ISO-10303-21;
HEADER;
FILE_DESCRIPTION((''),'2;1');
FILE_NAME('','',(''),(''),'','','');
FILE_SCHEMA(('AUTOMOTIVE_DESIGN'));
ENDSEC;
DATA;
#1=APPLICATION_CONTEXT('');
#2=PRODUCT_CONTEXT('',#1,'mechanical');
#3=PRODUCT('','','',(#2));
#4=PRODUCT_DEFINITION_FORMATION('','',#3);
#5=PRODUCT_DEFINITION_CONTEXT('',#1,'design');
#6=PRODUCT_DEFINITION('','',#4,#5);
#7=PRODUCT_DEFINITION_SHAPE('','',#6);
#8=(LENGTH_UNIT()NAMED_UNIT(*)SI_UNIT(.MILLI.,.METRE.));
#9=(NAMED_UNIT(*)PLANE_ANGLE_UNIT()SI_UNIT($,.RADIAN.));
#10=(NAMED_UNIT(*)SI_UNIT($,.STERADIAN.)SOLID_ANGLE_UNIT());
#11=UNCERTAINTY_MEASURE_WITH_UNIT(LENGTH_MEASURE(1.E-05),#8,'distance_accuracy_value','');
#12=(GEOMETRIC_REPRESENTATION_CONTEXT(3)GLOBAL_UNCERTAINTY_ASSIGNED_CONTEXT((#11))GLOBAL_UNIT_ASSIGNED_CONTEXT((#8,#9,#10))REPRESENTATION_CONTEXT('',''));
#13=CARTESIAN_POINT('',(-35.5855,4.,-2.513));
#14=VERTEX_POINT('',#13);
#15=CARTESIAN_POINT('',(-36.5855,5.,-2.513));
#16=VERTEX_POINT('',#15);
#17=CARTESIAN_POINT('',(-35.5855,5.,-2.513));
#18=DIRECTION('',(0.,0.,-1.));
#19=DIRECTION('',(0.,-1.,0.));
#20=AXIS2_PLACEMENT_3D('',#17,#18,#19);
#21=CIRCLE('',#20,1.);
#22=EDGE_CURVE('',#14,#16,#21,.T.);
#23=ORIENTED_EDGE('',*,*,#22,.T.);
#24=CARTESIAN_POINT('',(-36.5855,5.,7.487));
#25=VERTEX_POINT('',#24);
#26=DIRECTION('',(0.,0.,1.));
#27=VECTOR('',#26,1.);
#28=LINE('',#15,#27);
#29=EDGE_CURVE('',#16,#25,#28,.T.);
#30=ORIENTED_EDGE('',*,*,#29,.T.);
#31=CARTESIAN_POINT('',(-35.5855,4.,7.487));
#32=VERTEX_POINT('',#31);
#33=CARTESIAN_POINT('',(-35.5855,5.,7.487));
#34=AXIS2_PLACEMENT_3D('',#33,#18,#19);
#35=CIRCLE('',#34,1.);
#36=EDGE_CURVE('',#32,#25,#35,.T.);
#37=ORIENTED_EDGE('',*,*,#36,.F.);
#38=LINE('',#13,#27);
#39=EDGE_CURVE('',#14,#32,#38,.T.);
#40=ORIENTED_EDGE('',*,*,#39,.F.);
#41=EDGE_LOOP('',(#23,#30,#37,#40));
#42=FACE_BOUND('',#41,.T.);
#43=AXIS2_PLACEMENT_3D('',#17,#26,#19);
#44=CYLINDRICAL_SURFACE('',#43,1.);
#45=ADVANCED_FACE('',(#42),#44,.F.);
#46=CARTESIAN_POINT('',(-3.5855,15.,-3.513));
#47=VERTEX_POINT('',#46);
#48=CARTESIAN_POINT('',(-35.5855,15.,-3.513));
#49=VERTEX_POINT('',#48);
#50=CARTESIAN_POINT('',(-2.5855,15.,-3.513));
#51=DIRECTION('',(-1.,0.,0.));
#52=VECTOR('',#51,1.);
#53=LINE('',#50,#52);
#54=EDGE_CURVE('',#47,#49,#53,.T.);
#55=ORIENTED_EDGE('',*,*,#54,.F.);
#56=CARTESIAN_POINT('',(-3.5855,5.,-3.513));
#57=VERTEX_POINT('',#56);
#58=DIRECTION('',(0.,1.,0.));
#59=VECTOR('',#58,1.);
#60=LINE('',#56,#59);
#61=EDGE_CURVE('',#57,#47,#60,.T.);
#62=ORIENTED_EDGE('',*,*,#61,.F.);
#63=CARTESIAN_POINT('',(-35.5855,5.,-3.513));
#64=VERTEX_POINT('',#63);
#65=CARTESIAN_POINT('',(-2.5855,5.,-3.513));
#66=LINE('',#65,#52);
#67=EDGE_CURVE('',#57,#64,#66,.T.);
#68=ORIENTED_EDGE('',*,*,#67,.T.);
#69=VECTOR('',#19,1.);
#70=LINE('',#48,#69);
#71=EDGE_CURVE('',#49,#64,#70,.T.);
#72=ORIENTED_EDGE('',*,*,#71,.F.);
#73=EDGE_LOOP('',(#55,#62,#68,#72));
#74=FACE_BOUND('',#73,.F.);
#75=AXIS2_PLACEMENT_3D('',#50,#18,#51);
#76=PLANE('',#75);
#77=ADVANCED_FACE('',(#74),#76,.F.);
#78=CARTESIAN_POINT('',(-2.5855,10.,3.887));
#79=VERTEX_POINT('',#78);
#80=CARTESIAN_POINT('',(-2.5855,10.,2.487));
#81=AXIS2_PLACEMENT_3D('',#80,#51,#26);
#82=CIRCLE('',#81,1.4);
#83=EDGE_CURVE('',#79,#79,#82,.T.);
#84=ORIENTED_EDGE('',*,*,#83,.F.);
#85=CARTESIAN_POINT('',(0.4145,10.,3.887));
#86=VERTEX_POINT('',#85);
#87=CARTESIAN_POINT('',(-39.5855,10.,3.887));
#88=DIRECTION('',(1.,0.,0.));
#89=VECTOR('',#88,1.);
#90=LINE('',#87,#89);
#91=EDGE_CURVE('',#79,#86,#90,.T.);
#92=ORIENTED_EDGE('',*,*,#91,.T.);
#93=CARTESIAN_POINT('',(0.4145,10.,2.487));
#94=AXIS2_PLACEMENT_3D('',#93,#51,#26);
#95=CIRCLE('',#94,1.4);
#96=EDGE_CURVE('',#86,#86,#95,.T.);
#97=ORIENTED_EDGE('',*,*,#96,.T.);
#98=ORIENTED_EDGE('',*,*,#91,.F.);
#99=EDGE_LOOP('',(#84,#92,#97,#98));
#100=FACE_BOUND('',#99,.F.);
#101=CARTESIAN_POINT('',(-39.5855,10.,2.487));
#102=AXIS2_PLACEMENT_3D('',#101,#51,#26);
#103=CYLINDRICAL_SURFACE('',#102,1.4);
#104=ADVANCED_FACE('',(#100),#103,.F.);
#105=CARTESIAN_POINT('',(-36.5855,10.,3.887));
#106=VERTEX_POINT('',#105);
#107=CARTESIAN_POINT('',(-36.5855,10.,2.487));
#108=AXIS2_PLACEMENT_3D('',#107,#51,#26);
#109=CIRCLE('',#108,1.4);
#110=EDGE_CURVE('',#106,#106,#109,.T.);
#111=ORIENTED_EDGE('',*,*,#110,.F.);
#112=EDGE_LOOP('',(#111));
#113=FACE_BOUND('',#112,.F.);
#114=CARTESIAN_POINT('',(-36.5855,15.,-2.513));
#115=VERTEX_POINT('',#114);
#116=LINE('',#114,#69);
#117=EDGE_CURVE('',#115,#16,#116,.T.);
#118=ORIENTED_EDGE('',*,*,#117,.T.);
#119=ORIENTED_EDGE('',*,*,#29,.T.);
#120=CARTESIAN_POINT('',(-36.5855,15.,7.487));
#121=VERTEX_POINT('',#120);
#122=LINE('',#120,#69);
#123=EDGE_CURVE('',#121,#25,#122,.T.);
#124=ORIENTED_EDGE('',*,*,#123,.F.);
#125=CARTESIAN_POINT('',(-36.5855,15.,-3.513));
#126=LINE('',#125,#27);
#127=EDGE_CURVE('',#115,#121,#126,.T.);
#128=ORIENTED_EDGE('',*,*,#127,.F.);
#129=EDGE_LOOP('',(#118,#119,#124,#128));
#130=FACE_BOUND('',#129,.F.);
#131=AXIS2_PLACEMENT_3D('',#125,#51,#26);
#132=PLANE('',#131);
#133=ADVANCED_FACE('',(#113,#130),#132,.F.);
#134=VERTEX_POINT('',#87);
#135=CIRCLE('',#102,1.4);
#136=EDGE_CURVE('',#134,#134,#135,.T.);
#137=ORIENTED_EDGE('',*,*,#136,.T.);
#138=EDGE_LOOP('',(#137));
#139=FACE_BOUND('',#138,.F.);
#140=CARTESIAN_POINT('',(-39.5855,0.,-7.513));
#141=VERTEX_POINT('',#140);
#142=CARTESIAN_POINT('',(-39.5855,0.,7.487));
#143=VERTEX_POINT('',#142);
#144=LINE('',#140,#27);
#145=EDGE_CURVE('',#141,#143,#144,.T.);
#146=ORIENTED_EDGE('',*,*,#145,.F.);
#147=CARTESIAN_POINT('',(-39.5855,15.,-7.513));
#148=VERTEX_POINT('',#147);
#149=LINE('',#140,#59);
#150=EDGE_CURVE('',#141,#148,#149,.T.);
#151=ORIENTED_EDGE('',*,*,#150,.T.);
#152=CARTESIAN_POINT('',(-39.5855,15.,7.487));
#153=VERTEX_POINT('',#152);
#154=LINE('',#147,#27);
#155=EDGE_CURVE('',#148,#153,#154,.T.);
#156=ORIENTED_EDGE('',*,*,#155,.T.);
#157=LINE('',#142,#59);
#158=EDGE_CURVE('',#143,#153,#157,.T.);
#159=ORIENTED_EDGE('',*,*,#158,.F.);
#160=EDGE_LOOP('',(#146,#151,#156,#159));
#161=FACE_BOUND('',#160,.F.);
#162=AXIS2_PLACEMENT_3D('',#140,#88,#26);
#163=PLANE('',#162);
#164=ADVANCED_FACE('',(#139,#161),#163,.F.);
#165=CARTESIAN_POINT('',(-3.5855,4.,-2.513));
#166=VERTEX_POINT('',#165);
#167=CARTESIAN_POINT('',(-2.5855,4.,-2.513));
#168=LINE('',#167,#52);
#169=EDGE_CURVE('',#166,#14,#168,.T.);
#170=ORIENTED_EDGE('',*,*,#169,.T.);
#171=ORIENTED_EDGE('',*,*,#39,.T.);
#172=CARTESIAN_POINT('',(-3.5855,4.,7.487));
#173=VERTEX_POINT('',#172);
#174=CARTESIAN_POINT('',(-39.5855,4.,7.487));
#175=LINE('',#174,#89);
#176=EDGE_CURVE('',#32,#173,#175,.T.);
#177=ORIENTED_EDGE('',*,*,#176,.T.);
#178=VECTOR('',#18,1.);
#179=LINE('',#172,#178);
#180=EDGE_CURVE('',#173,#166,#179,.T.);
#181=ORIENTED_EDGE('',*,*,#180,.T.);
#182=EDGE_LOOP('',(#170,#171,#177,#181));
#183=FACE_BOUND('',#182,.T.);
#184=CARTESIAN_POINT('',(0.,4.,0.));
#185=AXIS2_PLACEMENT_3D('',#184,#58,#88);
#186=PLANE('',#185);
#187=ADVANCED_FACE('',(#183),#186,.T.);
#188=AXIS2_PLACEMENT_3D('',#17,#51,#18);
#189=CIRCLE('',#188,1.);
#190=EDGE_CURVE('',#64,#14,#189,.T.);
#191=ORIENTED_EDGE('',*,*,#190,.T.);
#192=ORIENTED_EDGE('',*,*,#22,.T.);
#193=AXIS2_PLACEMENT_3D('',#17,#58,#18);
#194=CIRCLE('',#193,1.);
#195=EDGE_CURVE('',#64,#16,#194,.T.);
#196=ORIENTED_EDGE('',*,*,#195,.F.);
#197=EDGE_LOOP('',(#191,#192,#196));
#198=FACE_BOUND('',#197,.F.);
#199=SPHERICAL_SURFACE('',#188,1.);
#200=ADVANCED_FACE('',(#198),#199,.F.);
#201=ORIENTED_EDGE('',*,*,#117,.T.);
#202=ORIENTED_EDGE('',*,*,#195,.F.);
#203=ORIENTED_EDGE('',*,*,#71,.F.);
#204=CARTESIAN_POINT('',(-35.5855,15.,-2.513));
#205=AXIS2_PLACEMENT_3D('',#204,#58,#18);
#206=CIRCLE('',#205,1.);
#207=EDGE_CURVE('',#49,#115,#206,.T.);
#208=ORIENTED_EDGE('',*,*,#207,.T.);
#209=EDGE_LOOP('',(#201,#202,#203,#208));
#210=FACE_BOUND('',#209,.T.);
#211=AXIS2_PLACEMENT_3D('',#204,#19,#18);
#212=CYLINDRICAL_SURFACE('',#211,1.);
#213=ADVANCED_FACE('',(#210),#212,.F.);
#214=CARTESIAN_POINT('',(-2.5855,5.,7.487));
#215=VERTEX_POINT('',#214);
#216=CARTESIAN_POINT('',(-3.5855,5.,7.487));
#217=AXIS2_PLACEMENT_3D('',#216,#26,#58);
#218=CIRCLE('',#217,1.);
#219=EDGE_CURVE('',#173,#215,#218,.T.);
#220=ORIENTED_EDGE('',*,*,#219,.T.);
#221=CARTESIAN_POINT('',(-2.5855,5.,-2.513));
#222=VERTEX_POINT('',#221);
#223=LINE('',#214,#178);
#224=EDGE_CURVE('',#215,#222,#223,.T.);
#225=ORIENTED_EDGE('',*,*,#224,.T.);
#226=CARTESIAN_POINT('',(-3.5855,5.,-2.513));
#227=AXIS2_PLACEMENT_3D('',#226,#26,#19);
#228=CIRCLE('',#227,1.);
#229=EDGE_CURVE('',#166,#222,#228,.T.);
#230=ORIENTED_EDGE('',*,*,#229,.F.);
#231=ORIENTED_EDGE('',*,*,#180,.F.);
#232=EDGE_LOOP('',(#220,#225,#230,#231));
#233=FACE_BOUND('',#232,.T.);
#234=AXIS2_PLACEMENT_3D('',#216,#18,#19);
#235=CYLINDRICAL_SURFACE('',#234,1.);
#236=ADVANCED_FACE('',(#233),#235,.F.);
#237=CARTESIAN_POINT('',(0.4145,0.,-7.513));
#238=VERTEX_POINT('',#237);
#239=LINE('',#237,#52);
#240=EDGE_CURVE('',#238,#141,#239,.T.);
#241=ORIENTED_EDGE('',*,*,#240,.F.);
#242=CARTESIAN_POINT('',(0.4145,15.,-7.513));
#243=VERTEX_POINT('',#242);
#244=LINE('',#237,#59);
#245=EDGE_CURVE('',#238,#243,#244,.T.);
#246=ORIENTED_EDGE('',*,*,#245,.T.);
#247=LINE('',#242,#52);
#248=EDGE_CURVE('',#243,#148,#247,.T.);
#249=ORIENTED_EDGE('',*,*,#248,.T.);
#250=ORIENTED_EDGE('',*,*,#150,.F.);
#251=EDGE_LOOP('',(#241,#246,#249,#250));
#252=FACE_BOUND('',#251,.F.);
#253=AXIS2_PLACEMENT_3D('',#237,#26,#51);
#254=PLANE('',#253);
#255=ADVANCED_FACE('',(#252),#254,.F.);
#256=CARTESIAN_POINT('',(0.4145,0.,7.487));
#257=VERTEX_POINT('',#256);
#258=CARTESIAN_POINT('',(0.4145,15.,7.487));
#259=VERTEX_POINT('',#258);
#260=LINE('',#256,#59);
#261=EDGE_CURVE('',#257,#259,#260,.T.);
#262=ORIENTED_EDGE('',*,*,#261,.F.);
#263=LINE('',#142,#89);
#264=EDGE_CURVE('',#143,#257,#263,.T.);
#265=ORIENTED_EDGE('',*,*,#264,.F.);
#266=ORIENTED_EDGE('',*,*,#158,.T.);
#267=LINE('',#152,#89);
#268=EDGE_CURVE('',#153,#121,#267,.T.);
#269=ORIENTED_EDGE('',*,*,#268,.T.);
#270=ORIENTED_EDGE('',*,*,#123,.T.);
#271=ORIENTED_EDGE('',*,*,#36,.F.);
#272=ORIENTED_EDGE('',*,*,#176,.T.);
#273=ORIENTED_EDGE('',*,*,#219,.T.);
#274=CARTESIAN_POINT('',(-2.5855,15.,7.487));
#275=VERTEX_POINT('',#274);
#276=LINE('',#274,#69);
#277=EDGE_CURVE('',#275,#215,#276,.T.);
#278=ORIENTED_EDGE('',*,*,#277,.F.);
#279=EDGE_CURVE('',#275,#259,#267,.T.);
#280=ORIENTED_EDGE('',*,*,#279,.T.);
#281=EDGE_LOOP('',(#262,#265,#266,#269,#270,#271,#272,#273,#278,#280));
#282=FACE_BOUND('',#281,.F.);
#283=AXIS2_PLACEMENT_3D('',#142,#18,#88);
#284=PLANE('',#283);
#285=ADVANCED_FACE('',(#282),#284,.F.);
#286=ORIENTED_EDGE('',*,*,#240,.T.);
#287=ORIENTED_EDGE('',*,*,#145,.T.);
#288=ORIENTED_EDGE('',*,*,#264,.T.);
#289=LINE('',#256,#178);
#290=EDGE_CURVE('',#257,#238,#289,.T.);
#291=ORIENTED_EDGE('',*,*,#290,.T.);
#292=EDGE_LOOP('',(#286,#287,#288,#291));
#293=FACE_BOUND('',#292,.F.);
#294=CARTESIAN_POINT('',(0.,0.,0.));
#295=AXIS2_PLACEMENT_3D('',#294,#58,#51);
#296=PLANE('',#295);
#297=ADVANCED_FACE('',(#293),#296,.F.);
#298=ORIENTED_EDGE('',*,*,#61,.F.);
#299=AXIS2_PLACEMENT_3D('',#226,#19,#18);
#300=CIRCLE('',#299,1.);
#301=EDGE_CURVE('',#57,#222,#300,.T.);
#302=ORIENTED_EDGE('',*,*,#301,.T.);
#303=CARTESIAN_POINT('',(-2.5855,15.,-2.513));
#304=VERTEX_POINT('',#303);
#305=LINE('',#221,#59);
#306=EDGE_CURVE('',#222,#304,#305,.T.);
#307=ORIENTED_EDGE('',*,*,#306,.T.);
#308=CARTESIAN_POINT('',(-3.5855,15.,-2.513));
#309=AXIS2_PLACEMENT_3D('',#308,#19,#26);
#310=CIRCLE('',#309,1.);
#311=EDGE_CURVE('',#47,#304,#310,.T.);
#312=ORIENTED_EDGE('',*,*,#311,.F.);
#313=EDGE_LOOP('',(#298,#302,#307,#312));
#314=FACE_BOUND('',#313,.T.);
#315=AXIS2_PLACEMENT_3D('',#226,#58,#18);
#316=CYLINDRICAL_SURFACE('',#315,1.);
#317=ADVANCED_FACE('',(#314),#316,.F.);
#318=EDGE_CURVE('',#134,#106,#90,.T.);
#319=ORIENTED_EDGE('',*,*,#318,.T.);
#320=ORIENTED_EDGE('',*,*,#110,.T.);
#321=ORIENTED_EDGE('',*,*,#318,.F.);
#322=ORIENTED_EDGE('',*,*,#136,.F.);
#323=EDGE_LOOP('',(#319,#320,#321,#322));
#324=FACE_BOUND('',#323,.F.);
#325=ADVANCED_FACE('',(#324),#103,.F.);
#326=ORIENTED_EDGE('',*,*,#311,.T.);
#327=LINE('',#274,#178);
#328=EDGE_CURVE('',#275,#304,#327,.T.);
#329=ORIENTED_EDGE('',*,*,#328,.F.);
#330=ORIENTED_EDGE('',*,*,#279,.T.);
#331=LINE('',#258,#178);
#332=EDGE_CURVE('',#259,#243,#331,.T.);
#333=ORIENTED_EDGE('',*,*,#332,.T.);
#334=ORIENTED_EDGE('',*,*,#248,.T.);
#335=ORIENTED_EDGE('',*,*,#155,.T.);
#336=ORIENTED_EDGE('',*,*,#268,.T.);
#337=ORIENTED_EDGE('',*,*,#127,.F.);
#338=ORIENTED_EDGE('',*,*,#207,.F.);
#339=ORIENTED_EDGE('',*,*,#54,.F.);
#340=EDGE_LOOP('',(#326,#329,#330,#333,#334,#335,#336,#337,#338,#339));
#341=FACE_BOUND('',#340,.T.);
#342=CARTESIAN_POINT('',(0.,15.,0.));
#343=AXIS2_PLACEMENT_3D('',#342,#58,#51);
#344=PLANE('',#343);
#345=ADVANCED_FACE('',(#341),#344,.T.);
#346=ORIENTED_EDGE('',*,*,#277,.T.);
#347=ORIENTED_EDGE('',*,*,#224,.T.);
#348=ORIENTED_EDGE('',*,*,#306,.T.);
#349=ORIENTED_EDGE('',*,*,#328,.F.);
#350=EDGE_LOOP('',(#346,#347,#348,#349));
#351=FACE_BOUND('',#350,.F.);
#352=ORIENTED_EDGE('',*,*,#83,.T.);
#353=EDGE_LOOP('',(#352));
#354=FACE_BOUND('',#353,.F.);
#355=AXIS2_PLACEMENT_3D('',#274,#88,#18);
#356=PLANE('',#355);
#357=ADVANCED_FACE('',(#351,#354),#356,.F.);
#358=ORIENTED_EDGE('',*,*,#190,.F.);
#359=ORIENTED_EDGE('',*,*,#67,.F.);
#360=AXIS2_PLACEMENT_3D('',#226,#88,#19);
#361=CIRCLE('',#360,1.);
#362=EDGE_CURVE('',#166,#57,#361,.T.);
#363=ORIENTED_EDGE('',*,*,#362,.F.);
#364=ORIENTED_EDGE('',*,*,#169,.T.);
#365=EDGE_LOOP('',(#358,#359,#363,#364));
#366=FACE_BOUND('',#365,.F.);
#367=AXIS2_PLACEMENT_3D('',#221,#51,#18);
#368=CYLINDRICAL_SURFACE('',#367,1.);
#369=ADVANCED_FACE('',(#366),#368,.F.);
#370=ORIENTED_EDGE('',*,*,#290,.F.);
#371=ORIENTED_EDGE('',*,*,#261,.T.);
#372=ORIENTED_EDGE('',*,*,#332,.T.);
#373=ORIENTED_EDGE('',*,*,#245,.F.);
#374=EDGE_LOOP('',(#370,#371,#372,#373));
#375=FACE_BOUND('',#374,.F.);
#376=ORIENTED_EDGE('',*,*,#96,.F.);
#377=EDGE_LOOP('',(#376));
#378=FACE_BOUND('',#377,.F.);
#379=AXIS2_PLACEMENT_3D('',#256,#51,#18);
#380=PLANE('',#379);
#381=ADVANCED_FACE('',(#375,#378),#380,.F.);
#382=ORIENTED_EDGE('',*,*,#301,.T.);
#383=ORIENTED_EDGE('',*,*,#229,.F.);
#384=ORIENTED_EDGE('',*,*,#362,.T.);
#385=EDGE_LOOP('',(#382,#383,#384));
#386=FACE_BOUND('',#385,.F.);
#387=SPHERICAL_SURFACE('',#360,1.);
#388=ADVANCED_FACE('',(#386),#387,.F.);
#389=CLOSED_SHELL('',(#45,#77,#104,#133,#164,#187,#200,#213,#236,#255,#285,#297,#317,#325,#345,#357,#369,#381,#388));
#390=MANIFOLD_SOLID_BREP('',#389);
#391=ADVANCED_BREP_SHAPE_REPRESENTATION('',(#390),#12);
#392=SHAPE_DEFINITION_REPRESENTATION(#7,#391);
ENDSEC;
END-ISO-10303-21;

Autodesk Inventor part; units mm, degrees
ref_plane "YZ Plane" through (0, 0, 0) normal (1, 0, 0) x (0, 1, 0)
ref_plane "XZ Plane" through (0, 0, 0) normal (0, 1, 0) x (-1, 0, 0)
ref_plane "XY Plane" through (0, 0, 0) normal (0, 0, 1) x (1, 0, 0)
sketch "Sketch1" plane through (0, 0, 0) normal (0, 1, 0) x (-1, 0, 0)
  line L0 (39.5855, 7.487) -> (-0.4145, 7.487)
  line L1 (-0.4145, 7.487) -> (-0.4145, -7.513)
  line L2 (-0.4145, -7.513) -> (39.5855, -7.513)
  line L3 (39.5855, -7.513) -> (39.5855, 7.487)
  point P0 (0, 0)
  dimension "d0" = 40
  dimension "d1" = 15
extrude "Extrusion1" add sketch "Sketch1" along normal blind 15
sketch "Sketch2" plane through (0, 15, 0) normal (0, 1, 0) x (1, 0, 0)
  line L0 (-39.5855, -7.487) -> (0.4145, -7.487) projected
  line L1 (-36.5855, -7.487) -> (-2.5855, -7.487)
  line L2 (-2.5855, -7.487) -> (-2.5855, 3.513)
  line L3 (-2.5855, 3.513) -> (-36.5855, 3.513)
  line L4 (-36.5855, 3.513) -> (-36.5855, -7.487)
  line L5 (0.4145, 7.513) -> (-39.5855, 7.513) projected
  line L6 (-39.5855, 7.513) -> (-39.5855, -7.487) projected
  line L7 (0.4145, -7.487) -> (0.4145, 7.513) projected
  point P0 (0, 0)
  dimension "d4" = 4
  dimension "d5" = 3
  dimension "d6" = 3
extrude "Extrusion2" cut sketch "Sketch2" against normal blind 11 contours L4 L3 L2 L0
sketch "Sketch3" plane through (-39.5855, 0, -7.513) normal (-1, 0, 0) x (0, 0, 1)
  circle A0 centre (10, 10) radius 1.4
  line L0 (15, 4) -> (4, 4) projected
  line L1 (4, 15) -> (4, 4) projected
  point P0 (7.513, 0)
  dimension "d9" = 2.8
  dimension "d10" = 6
  dimension "d11" = 6
extrude "Extrusion3" cut sketch "Sketch3" against normal through all
fillet "Fillet1" radius 1 1 edges at (-19.5855, 4, -3.513)
fillet "Fillet2" radius 1 3 edges at (-36.5855, 10, -3.513) (-36.5855, 4.2929, -3.2201) (-36.5855, 4, 2.487)
fillet "Fillet3" radius 1 3 edges at (-2.5855, 4, 2.487) (-2.5855, 4.2929, -3.2201) (-2.5855, 10, -3.513)
properties part number "leg_8"
